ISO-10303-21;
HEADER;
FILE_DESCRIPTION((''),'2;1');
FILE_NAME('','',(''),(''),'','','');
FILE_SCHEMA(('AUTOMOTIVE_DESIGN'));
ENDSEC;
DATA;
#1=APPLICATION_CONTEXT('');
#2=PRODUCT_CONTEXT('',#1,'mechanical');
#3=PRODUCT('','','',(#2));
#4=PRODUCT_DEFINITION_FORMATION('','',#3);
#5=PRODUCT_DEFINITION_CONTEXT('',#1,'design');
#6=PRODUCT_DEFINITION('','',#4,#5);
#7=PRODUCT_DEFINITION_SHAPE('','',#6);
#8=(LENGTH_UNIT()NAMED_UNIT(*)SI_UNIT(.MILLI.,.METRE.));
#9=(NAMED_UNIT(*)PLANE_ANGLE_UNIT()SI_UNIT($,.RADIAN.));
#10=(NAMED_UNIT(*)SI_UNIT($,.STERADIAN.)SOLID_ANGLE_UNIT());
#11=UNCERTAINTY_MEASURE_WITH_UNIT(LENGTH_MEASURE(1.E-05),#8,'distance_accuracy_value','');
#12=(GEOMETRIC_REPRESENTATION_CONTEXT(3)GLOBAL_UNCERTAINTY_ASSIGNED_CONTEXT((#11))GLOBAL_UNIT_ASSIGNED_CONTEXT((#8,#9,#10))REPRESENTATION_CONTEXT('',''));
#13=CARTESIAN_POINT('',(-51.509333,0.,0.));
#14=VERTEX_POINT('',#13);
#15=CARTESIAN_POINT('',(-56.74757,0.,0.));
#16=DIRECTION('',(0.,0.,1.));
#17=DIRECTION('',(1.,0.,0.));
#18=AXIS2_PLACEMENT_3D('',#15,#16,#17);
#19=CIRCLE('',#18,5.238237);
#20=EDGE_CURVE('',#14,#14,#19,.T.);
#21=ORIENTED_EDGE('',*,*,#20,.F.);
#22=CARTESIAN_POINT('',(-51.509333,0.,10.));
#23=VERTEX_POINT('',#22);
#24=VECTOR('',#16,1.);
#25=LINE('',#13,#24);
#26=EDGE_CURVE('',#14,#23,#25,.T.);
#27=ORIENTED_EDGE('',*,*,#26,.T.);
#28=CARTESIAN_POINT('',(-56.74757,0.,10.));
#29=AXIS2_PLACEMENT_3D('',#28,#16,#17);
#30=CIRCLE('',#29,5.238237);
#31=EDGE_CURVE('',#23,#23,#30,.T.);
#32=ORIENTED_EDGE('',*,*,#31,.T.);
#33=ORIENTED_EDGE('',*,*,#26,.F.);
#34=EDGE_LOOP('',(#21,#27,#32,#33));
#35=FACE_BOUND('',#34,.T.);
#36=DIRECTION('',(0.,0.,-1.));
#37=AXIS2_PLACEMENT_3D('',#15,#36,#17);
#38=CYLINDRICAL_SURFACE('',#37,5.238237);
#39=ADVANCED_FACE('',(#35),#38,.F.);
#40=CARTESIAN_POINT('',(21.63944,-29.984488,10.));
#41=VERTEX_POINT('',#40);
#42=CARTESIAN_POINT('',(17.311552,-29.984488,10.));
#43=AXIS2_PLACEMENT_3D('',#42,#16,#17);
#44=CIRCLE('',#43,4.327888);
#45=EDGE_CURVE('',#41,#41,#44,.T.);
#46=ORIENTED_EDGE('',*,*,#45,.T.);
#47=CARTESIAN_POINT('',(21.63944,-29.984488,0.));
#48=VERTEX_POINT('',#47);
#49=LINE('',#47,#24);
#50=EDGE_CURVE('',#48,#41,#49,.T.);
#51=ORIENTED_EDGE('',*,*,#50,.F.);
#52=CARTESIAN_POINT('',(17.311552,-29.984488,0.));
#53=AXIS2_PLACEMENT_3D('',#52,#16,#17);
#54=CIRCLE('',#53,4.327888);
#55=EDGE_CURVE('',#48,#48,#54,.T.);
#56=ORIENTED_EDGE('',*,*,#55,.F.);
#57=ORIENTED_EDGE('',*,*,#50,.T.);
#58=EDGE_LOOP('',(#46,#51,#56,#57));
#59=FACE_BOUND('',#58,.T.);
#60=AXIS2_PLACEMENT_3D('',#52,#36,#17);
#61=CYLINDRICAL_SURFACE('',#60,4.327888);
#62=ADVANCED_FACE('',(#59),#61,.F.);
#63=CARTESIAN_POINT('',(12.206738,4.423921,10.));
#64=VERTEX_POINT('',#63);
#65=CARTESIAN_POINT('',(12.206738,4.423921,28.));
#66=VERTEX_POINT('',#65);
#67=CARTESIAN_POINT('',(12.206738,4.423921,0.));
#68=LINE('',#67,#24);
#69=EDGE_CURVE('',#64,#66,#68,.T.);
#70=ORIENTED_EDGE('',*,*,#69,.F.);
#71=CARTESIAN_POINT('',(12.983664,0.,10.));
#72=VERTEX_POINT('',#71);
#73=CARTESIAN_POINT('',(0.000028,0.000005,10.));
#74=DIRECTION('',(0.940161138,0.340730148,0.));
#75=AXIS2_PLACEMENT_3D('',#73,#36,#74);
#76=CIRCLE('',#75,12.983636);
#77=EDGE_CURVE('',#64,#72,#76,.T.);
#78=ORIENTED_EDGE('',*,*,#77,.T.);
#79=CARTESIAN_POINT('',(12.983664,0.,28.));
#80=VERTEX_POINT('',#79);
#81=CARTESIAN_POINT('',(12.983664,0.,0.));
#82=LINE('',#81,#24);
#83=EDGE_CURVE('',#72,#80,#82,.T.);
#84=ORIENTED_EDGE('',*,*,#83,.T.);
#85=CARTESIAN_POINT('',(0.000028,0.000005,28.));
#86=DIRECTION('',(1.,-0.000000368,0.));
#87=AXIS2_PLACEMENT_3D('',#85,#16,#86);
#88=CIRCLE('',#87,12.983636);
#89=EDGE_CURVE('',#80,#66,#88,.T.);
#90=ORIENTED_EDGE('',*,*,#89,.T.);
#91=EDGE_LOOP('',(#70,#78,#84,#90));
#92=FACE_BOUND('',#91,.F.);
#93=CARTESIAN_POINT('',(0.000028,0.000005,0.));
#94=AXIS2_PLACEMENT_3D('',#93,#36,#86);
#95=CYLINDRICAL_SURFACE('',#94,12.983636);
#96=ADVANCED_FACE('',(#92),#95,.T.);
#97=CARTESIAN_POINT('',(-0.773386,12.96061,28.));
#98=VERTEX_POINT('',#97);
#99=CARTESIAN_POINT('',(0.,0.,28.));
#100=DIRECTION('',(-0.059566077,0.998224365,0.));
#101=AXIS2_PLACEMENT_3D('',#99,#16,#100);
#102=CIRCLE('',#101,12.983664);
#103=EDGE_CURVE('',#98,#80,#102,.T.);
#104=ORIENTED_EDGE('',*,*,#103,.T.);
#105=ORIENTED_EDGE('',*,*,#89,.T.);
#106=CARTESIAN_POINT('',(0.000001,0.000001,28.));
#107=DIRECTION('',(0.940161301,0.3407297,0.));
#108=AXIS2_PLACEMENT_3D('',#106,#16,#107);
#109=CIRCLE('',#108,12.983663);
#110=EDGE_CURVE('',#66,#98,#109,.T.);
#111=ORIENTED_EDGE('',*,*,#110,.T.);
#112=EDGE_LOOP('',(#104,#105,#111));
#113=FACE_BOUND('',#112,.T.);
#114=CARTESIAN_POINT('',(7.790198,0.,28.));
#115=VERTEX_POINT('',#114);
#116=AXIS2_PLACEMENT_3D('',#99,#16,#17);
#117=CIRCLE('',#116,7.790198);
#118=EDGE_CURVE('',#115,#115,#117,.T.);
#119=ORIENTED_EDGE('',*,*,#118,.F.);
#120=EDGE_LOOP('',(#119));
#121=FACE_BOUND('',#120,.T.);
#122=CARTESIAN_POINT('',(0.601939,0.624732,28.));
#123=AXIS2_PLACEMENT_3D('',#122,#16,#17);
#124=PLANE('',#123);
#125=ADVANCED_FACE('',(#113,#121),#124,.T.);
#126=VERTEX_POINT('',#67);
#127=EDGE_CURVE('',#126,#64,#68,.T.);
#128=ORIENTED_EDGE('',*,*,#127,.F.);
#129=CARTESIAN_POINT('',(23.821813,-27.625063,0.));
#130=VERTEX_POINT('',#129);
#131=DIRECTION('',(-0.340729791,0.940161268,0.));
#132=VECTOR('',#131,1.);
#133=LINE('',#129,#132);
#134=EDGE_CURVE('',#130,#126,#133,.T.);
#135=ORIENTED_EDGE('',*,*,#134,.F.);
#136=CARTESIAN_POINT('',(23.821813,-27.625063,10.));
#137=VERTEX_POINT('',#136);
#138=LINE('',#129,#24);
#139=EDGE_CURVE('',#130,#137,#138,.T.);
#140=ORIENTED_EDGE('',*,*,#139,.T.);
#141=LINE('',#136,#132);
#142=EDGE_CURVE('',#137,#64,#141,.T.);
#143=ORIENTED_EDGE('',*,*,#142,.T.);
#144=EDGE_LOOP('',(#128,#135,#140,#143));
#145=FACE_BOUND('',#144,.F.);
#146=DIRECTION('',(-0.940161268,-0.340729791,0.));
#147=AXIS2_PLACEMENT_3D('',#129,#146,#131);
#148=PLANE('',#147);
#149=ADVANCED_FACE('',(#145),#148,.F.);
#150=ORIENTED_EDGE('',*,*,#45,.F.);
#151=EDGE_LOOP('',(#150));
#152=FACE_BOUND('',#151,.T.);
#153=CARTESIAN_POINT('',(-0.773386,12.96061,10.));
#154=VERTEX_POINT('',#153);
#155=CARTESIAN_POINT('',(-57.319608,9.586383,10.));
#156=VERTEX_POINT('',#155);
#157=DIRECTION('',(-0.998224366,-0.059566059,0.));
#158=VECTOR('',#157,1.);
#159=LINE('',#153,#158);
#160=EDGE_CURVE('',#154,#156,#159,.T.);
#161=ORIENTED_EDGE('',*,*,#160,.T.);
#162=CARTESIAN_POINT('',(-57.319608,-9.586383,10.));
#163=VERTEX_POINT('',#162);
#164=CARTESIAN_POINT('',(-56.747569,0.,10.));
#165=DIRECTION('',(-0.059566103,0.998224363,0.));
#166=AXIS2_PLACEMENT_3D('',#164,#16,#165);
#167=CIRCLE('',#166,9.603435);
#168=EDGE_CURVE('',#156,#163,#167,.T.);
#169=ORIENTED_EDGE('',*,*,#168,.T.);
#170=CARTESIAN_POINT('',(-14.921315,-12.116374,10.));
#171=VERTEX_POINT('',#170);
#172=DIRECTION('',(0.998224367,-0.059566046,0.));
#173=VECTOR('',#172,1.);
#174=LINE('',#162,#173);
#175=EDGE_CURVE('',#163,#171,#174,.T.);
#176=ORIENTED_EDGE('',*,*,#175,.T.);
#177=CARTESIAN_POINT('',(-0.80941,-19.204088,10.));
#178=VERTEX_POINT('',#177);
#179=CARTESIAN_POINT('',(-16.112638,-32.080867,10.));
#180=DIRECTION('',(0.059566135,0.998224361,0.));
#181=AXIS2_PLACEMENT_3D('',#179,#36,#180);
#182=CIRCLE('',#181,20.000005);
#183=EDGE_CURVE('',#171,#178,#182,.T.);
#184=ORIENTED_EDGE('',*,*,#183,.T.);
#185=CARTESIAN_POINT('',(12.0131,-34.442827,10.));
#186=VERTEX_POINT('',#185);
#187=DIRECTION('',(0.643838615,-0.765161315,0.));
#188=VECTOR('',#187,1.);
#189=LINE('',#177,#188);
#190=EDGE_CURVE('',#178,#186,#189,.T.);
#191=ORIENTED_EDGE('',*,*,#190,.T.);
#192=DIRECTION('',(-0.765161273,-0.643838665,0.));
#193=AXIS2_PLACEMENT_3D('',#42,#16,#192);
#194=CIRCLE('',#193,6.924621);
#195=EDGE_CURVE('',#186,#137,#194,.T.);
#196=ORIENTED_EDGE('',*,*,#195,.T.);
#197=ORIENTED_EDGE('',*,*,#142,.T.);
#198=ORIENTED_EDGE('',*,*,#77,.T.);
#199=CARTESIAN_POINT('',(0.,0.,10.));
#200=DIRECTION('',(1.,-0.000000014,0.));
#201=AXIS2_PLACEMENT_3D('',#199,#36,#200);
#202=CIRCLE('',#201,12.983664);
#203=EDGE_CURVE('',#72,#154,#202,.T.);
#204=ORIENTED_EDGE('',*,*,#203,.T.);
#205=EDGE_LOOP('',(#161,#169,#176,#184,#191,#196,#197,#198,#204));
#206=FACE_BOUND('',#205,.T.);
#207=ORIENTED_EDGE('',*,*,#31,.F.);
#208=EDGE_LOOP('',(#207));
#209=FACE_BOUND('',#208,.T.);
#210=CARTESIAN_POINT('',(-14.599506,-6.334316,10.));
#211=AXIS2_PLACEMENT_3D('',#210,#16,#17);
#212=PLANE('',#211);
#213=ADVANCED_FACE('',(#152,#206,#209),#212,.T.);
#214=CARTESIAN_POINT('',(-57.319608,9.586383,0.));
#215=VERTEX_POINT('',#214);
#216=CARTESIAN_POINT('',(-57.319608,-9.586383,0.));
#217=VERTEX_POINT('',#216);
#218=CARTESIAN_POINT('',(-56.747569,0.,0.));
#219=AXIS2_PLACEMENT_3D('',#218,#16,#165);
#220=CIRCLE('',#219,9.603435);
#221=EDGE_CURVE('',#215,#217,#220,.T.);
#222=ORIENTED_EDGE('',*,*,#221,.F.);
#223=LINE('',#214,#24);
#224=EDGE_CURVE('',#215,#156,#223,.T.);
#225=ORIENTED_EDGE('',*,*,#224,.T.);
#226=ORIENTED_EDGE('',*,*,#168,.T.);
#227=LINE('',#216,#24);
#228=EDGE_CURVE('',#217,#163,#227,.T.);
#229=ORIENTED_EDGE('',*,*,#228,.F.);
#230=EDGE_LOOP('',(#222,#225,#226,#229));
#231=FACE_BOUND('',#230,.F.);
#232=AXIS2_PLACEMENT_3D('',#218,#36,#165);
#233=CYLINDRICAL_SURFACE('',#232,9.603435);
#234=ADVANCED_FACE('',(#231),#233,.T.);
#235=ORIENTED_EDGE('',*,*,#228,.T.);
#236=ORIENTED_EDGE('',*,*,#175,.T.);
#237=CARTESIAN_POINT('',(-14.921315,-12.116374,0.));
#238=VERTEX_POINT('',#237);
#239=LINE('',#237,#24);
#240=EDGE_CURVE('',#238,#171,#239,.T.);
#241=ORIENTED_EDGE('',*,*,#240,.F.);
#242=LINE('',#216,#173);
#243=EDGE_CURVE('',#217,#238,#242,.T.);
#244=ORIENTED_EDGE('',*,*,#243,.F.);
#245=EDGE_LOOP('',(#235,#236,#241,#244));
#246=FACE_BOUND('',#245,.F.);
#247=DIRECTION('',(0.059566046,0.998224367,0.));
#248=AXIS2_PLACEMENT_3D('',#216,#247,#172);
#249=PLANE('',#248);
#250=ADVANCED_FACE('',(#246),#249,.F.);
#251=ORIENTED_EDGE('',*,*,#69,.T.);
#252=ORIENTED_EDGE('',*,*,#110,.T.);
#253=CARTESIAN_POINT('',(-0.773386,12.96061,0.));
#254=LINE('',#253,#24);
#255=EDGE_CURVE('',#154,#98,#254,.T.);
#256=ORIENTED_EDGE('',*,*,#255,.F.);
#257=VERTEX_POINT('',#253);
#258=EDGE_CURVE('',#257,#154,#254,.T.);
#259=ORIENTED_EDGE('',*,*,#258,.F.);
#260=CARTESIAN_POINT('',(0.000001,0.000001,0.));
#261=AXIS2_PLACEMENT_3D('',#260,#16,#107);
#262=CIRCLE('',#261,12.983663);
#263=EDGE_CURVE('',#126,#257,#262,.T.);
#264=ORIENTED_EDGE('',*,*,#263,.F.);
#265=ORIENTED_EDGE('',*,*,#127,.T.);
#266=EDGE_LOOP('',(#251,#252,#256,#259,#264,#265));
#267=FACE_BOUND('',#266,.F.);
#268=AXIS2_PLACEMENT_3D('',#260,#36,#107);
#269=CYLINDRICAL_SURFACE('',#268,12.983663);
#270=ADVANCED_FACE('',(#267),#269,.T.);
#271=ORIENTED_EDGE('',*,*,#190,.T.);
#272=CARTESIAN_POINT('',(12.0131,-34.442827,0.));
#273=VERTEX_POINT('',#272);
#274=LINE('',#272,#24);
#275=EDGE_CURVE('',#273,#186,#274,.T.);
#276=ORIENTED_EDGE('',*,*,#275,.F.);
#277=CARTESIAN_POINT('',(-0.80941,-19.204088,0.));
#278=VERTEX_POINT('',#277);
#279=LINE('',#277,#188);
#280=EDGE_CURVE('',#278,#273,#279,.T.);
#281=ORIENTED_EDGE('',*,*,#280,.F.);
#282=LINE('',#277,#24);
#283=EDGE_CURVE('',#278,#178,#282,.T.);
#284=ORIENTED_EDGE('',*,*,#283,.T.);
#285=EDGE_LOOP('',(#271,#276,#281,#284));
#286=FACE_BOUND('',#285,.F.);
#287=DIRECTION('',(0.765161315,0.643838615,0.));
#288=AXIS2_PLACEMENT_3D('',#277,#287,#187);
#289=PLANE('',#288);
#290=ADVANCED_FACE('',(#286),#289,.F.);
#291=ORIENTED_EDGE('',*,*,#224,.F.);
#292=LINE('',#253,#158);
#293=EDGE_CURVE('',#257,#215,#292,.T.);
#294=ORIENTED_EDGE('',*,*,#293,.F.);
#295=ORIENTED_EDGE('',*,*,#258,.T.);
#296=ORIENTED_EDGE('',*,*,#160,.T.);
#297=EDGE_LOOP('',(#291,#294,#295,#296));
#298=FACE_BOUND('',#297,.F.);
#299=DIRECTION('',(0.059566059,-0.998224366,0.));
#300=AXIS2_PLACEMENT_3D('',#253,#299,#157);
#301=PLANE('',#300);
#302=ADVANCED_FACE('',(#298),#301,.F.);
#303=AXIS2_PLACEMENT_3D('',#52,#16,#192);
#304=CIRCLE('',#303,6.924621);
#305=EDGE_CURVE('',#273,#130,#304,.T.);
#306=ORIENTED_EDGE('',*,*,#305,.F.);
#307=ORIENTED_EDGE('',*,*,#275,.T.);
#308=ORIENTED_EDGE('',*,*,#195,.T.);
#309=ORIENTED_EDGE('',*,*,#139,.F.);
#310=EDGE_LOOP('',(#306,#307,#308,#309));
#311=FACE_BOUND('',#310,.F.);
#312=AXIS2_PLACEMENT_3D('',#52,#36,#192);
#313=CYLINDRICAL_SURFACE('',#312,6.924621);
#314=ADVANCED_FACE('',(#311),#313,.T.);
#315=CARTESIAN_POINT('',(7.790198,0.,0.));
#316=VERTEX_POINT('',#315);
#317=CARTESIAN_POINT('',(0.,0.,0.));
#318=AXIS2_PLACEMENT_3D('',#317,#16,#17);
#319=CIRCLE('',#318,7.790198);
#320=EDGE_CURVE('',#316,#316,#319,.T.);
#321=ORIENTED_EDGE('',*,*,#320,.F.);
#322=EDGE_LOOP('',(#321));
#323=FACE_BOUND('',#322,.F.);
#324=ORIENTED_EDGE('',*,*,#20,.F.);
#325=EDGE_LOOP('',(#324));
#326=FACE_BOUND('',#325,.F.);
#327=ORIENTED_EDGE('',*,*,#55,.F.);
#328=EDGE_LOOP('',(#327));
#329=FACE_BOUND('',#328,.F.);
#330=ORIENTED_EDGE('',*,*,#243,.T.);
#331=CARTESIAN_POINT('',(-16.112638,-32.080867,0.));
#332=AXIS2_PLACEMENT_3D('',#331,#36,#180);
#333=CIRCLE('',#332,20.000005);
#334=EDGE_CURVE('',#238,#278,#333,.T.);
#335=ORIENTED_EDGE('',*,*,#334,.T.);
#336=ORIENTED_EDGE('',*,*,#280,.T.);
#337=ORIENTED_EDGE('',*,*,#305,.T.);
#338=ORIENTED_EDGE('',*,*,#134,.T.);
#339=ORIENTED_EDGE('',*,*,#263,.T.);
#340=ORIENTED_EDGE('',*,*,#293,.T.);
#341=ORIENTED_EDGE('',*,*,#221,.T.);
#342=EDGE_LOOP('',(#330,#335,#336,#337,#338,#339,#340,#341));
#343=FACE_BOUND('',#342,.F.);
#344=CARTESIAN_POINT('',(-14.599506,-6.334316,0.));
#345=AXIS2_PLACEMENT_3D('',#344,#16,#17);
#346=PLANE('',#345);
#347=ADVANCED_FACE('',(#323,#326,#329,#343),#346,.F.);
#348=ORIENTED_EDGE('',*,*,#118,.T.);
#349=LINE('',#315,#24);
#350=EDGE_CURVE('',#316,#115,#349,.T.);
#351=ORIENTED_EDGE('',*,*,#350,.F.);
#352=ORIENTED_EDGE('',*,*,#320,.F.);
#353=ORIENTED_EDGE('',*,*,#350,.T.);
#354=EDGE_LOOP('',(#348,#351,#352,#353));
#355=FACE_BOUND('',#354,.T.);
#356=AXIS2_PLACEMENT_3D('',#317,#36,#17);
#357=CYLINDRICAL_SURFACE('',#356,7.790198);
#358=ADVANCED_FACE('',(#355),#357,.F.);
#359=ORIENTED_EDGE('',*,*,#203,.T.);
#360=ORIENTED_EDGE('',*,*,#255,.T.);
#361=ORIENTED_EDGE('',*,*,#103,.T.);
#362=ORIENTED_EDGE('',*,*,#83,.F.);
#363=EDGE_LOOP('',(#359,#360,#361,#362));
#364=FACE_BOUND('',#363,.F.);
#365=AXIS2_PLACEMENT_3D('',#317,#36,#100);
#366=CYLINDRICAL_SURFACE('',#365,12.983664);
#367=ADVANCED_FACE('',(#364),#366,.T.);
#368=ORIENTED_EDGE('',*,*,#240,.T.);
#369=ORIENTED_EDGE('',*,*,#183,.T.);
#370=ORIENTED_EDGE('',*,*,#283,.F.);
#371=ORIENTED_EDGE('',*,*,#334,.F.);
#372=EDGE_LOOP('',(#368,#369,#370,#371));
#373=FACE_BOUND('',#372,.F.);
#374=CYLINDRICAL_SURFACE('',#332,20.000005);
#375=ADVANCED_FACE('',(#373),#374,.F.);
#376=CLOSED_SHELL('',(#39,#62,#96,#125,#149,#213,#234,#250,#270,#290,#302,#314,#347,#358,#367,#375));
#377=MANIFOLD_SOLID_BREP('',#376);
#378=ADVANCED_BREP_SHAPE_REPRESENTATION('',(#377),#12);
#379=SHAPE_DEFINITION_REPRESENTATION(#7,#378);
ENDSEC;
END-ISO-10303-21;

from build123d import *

# Parameters (mm, degrees)
F0_R     = 7.790198
F1_DEPTH = 28
F0_R_2   = 4.327888
F0_R_3   = 5.238237
F2_DEPTH = 10


with BuildPart() as f1:
    # F0 (on Top) → F1 (new body)
    with BuildSketch(Plane.XY):
        with BuildLine():
            ThreePointArc((-0.773386, 12.96061), (-8.903206, -9.450315), (12.983664, 0))
            ThreePointArc((12.983664, 0), (12.787958, 2.245812), (12.206738, 4.423921))
            ThreePointArc((12.206738, 4.423921), (7.134364, 10.847875), (-0.773386, 12.96061))
        make_face()
        Circle(F0_R, mode=Mode.SUBTRACT)
    extrude(amount=F1_DEPTH)

    # F0 (on Top) → F2 (join)
    with BuildSketch(Plane.XY):
        with BuildLine():
            ThreePointArc((12.206738, 4.423921), (12.787958, 2.245812), (12.983664, 0))
            ThreePointArc((12.983664, 0), (-8.903206, -9.450315), (-0.773386, 12.96061))
            Line((-0.773386, 12.96061), (-57.319608, 9.586383))
            ThreePointArc((-57.319608, 9.586383), (-66.351004, 0), (-57.319608, -9.586383))
            Line((-57.319608, -9.586383), (-14.921315, -12.116374))
            ThreePointArc((-14.921315, -12.116374), (-7.136198, -14.208437), (-0.80941, -19.204088))
            Line((-0.80941, -19.204088), (12.0131, -34.442827))
            ThreePointArc((12.0131, -34.442827), (20.773863, -35.981386), (23.821813, -27.625063))
            Line((23.821813, -27.625063), (12.206738, 4.423921))
        make_face()
        with Locations((17.311552, -29.984488)):
            Circle(F0_R_2, mode=Mode.SUBTRACT)
        with Locations((-56.74757, 0)):
            Circle(F0_R_3, mode=Mode.SUBTRACT)
    extrude(amount=F2_DEPTH)


solid = f1.part
